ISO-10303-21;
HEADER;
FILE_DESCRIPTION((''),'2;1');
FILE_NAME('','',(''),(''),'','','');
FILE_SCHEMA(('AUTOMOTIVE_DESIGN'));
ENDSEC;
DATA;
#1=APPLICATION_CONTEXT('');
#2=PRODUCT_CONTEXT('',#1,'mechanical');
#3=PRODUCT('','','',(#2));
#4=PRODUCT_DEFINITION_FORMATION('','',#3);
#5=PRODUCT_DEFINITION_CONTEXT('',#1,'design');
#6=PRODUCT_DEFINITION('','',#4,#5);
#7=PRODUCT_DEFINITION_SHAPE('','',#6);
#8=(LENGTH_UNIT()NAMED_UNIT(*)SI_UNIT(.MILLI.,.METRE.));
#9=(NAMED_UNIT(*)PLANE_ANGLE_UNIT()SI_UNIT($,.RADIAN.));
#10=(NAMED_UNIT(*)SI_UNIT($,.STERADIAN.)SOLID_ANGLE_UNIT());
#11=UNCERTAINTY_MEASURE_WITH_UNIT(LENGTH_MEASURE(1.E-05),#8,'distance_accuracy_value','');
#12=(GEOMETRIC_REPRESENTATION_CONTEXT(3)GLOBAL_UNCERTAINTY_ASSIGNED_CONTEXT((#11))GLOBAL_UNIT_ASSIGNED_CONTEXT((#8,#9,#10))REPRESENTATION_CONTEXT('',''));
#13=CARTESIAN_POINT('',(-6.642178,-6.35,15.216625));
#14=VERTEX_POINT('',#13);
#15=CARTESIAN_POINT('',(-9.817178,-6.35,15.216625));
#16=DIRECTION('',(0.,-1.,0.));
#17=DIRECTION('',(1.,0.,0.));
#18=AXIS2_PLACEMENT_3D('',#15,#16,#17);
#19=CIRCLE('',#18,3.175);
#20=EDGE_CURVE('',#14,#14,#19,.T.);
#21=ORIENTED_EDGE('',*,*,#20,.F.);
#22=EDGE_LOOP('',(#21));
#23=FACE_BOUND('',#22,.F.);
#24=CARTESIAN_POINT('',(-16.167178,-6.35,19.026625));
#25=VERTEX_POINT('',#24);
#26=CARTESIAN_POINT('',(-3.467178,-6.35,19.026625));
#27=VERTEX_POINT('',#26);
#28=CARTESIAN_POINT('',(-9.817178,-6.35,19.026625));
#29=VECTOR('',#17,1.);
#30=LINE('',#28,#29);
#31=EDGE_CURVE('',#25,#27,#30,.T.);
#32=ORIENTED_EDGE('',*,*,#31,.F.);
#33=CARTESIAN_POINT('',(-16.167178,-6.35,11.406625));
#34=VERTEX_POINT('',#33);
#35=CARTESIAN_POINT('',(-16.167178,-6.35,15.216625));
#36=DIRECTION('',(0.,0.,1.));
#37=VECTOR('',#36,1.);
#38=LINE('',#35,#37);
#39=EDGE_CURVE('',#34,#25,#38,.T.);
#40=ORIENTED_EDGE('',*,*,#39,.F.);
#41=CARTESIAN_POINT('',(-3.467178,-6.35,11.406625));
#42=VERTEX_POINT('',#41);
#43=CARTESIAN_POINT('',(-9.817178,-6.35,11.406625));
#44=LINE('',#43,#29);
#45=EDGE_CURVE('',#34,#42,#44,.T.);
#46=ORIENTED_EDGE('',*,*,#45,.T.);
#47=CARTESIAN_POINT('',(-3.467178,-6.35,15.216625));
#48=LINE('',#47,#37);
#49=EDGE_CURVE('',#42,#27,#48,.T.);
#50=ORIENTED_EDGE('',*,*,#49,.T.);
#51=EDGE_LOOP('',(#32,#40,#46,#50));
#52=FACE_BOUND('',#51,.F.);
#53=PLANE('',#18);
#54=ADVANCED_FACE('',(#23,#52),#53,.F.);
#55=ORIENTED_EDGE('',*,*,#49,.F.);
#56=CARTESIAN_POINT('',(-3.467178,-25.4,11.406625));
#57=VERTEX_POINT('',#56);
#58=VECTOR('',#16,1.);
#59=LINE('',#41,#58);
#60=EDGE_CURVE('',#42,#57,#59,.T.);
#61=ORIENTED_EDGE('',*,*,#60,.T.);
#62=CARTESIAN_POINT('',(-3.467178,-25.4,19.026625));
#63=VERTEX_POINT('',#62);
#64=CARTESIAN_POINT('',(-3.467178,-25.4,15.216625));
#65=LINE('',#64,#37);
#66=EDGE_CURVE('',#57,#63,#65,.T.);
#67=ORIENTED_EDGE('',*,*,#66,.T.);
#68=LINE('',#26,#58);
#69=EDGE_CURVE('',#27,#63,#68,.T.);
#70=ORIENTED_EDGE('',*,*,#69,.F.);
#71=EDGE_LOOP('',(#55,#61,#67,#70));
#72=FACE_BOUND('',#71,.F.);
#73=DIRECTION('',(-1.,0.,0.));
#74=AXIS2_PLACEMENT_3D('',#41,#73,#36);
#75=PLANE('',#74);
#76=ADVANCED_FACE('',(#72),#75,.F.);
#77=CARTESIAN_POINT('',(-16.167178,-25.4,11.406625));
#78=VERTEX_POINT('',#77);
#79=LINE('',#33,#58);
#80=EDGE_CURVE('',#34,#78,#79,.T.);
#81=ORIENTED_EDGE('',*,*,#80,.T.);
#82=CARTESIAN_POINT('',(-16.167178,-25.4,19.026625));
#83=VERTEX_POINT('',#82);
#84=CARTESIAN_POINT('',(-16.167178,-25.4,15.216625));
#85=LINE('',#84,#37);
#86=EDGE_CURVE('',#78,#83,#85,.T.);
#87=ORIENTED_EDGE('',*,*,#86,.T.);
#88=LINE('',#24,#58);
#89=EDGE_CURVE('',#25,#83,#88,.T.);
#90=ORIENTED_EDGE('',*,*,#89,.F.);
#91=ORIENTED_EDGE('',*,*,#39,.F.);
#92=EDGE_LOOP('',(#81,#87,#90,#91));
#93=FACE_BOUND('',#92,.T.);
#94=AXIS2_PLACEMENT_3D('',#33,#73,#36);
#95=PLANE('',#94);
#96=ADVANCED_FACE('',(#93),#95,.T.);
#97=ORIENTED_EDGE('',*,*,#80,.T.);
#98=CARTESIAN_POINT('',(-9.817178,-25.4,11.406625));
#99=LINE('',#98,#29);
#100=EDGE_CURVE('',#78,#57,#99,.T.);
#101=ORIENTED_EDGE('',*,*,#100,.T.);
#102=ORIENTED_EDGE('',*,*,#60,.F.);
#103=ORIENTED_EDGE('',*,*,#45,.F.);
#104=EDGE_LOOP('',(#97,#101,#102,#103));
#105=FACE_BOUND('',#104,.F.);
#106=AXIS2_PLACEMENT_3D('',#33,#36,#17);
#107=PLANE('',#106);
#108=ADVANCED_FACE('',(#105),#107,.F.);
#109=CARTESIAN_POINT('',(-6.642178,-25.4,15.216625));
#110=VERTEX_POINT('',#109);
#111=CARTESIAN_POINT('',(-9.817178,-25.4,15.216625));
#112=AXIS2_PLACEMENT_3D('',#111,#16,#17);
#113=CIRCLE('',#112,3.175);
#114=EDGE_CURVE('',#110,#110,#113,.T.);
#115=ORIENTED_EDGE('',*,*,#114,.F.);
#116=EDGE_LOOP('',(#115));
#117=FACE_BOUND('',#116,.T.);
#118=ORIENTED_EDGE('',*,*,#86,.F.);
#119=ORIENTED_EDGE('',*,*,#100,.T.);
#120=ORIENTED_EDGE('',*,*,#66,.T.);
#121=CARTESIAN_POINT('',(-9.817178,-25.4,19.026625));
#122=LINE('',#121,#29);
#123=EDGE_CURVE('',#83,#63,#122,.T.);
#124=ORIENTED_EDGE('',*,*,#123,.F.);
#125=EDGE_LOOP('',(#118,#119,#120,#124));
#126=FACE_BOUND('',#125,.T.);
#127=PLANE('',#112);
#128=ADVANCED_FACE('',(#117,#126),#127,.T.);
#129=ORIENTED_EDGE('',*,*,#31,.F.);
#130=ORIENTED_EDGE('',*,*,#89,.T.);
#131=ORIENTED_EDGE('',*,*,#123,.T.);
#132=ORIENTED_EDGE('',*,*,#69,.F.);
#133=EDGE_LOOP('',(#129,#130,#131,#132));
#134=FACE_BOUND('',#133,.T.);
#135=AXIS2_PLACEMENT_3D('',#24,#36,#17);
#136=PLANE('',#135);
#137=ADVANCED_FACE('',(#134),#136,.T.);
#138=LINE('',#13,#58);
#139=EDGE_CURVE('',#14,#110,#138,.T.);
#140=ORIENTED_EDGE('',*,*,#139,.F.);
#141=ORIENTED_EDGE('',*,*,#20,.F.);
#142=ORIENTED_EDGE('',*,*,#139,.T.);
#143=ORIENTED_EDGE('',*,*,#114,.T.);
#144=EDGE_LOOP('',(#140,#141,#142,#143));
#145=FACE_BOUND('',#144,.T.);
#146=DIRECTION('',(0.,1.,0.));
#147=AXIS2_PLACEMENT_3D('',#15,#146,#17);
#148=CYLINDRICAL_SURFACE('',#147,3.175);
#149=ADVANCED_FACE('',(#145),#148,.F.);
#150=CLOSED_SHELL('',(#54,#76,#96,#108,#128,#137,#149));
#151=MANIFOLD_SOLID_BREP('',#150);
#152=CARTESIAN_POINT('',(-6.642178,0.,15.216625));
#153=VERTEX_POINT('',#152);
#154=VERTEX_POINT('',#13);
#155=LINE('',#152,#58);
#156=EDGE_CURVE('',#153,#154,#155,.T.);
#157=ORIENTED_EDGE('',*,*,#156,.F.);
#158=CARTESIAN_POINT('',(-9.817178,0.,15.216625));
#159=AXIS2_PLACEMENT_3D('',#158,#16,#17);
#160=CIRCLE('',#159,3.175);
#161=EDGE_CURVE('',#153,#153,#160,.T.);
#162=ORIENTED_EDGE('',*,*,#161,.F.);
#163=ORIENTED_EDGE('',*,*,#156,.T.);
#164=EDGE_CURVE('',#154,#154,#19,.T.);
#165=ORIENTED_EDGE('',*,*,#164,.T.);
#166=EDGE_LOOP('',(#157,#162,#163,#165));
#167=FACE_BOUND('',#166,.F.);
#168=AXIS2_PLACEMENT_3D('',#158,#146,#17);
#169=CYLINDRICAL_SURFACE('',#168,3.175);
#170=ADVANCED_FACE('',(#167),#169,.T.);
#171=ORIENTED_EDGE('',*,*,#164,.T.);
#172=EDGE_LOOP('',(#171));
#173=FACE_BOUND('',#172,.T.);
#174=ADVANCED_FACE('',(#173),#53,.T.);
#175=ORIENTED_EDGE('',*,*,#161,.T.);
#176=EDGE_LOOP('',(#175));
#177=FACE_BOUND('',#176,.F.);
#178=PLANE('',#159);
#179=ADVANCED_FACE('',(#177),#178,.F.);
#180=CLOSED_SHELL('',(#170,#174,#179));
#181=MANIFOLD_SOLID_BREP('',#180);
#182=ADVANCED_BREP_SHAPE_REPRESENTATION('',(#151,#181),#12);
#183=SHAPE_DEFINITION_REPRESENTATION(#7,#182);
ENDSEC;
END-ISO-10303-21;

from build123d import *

# Parameters (mm, degrees)
F0_R     = 3.175
F1_DEPTH = 6.35
F2_W     = 12.7
F2_H     = 7.62
F2_R     = 3.175
F3_DEPTH = 19.05


with BuildPart() as f1:
    # F0 (on Front) → F1 (new body)
    with BuildSketch(Plane.XZ):
        with Locations((-9.817178, 15.216625)):
            Circle(F0_R)
    extrude(amount=F1_DEPTH)


with BuildPart() as f3:
    # F2 (on face) → F3 (new body)
    with BuildSketch(Plane.XZ.offset(6.35)):
        with Locations((-9.817178, 15.216625)):
            Rectangle(F2_W, F2_H)
        with Locations((-9.817178, 15.216625)):
            Circle(F2_R, mode=Mode.SUBTRACT)
    extrude(amount=F3_DEPTH)


solid = Compound([f1.part, f3.part])
